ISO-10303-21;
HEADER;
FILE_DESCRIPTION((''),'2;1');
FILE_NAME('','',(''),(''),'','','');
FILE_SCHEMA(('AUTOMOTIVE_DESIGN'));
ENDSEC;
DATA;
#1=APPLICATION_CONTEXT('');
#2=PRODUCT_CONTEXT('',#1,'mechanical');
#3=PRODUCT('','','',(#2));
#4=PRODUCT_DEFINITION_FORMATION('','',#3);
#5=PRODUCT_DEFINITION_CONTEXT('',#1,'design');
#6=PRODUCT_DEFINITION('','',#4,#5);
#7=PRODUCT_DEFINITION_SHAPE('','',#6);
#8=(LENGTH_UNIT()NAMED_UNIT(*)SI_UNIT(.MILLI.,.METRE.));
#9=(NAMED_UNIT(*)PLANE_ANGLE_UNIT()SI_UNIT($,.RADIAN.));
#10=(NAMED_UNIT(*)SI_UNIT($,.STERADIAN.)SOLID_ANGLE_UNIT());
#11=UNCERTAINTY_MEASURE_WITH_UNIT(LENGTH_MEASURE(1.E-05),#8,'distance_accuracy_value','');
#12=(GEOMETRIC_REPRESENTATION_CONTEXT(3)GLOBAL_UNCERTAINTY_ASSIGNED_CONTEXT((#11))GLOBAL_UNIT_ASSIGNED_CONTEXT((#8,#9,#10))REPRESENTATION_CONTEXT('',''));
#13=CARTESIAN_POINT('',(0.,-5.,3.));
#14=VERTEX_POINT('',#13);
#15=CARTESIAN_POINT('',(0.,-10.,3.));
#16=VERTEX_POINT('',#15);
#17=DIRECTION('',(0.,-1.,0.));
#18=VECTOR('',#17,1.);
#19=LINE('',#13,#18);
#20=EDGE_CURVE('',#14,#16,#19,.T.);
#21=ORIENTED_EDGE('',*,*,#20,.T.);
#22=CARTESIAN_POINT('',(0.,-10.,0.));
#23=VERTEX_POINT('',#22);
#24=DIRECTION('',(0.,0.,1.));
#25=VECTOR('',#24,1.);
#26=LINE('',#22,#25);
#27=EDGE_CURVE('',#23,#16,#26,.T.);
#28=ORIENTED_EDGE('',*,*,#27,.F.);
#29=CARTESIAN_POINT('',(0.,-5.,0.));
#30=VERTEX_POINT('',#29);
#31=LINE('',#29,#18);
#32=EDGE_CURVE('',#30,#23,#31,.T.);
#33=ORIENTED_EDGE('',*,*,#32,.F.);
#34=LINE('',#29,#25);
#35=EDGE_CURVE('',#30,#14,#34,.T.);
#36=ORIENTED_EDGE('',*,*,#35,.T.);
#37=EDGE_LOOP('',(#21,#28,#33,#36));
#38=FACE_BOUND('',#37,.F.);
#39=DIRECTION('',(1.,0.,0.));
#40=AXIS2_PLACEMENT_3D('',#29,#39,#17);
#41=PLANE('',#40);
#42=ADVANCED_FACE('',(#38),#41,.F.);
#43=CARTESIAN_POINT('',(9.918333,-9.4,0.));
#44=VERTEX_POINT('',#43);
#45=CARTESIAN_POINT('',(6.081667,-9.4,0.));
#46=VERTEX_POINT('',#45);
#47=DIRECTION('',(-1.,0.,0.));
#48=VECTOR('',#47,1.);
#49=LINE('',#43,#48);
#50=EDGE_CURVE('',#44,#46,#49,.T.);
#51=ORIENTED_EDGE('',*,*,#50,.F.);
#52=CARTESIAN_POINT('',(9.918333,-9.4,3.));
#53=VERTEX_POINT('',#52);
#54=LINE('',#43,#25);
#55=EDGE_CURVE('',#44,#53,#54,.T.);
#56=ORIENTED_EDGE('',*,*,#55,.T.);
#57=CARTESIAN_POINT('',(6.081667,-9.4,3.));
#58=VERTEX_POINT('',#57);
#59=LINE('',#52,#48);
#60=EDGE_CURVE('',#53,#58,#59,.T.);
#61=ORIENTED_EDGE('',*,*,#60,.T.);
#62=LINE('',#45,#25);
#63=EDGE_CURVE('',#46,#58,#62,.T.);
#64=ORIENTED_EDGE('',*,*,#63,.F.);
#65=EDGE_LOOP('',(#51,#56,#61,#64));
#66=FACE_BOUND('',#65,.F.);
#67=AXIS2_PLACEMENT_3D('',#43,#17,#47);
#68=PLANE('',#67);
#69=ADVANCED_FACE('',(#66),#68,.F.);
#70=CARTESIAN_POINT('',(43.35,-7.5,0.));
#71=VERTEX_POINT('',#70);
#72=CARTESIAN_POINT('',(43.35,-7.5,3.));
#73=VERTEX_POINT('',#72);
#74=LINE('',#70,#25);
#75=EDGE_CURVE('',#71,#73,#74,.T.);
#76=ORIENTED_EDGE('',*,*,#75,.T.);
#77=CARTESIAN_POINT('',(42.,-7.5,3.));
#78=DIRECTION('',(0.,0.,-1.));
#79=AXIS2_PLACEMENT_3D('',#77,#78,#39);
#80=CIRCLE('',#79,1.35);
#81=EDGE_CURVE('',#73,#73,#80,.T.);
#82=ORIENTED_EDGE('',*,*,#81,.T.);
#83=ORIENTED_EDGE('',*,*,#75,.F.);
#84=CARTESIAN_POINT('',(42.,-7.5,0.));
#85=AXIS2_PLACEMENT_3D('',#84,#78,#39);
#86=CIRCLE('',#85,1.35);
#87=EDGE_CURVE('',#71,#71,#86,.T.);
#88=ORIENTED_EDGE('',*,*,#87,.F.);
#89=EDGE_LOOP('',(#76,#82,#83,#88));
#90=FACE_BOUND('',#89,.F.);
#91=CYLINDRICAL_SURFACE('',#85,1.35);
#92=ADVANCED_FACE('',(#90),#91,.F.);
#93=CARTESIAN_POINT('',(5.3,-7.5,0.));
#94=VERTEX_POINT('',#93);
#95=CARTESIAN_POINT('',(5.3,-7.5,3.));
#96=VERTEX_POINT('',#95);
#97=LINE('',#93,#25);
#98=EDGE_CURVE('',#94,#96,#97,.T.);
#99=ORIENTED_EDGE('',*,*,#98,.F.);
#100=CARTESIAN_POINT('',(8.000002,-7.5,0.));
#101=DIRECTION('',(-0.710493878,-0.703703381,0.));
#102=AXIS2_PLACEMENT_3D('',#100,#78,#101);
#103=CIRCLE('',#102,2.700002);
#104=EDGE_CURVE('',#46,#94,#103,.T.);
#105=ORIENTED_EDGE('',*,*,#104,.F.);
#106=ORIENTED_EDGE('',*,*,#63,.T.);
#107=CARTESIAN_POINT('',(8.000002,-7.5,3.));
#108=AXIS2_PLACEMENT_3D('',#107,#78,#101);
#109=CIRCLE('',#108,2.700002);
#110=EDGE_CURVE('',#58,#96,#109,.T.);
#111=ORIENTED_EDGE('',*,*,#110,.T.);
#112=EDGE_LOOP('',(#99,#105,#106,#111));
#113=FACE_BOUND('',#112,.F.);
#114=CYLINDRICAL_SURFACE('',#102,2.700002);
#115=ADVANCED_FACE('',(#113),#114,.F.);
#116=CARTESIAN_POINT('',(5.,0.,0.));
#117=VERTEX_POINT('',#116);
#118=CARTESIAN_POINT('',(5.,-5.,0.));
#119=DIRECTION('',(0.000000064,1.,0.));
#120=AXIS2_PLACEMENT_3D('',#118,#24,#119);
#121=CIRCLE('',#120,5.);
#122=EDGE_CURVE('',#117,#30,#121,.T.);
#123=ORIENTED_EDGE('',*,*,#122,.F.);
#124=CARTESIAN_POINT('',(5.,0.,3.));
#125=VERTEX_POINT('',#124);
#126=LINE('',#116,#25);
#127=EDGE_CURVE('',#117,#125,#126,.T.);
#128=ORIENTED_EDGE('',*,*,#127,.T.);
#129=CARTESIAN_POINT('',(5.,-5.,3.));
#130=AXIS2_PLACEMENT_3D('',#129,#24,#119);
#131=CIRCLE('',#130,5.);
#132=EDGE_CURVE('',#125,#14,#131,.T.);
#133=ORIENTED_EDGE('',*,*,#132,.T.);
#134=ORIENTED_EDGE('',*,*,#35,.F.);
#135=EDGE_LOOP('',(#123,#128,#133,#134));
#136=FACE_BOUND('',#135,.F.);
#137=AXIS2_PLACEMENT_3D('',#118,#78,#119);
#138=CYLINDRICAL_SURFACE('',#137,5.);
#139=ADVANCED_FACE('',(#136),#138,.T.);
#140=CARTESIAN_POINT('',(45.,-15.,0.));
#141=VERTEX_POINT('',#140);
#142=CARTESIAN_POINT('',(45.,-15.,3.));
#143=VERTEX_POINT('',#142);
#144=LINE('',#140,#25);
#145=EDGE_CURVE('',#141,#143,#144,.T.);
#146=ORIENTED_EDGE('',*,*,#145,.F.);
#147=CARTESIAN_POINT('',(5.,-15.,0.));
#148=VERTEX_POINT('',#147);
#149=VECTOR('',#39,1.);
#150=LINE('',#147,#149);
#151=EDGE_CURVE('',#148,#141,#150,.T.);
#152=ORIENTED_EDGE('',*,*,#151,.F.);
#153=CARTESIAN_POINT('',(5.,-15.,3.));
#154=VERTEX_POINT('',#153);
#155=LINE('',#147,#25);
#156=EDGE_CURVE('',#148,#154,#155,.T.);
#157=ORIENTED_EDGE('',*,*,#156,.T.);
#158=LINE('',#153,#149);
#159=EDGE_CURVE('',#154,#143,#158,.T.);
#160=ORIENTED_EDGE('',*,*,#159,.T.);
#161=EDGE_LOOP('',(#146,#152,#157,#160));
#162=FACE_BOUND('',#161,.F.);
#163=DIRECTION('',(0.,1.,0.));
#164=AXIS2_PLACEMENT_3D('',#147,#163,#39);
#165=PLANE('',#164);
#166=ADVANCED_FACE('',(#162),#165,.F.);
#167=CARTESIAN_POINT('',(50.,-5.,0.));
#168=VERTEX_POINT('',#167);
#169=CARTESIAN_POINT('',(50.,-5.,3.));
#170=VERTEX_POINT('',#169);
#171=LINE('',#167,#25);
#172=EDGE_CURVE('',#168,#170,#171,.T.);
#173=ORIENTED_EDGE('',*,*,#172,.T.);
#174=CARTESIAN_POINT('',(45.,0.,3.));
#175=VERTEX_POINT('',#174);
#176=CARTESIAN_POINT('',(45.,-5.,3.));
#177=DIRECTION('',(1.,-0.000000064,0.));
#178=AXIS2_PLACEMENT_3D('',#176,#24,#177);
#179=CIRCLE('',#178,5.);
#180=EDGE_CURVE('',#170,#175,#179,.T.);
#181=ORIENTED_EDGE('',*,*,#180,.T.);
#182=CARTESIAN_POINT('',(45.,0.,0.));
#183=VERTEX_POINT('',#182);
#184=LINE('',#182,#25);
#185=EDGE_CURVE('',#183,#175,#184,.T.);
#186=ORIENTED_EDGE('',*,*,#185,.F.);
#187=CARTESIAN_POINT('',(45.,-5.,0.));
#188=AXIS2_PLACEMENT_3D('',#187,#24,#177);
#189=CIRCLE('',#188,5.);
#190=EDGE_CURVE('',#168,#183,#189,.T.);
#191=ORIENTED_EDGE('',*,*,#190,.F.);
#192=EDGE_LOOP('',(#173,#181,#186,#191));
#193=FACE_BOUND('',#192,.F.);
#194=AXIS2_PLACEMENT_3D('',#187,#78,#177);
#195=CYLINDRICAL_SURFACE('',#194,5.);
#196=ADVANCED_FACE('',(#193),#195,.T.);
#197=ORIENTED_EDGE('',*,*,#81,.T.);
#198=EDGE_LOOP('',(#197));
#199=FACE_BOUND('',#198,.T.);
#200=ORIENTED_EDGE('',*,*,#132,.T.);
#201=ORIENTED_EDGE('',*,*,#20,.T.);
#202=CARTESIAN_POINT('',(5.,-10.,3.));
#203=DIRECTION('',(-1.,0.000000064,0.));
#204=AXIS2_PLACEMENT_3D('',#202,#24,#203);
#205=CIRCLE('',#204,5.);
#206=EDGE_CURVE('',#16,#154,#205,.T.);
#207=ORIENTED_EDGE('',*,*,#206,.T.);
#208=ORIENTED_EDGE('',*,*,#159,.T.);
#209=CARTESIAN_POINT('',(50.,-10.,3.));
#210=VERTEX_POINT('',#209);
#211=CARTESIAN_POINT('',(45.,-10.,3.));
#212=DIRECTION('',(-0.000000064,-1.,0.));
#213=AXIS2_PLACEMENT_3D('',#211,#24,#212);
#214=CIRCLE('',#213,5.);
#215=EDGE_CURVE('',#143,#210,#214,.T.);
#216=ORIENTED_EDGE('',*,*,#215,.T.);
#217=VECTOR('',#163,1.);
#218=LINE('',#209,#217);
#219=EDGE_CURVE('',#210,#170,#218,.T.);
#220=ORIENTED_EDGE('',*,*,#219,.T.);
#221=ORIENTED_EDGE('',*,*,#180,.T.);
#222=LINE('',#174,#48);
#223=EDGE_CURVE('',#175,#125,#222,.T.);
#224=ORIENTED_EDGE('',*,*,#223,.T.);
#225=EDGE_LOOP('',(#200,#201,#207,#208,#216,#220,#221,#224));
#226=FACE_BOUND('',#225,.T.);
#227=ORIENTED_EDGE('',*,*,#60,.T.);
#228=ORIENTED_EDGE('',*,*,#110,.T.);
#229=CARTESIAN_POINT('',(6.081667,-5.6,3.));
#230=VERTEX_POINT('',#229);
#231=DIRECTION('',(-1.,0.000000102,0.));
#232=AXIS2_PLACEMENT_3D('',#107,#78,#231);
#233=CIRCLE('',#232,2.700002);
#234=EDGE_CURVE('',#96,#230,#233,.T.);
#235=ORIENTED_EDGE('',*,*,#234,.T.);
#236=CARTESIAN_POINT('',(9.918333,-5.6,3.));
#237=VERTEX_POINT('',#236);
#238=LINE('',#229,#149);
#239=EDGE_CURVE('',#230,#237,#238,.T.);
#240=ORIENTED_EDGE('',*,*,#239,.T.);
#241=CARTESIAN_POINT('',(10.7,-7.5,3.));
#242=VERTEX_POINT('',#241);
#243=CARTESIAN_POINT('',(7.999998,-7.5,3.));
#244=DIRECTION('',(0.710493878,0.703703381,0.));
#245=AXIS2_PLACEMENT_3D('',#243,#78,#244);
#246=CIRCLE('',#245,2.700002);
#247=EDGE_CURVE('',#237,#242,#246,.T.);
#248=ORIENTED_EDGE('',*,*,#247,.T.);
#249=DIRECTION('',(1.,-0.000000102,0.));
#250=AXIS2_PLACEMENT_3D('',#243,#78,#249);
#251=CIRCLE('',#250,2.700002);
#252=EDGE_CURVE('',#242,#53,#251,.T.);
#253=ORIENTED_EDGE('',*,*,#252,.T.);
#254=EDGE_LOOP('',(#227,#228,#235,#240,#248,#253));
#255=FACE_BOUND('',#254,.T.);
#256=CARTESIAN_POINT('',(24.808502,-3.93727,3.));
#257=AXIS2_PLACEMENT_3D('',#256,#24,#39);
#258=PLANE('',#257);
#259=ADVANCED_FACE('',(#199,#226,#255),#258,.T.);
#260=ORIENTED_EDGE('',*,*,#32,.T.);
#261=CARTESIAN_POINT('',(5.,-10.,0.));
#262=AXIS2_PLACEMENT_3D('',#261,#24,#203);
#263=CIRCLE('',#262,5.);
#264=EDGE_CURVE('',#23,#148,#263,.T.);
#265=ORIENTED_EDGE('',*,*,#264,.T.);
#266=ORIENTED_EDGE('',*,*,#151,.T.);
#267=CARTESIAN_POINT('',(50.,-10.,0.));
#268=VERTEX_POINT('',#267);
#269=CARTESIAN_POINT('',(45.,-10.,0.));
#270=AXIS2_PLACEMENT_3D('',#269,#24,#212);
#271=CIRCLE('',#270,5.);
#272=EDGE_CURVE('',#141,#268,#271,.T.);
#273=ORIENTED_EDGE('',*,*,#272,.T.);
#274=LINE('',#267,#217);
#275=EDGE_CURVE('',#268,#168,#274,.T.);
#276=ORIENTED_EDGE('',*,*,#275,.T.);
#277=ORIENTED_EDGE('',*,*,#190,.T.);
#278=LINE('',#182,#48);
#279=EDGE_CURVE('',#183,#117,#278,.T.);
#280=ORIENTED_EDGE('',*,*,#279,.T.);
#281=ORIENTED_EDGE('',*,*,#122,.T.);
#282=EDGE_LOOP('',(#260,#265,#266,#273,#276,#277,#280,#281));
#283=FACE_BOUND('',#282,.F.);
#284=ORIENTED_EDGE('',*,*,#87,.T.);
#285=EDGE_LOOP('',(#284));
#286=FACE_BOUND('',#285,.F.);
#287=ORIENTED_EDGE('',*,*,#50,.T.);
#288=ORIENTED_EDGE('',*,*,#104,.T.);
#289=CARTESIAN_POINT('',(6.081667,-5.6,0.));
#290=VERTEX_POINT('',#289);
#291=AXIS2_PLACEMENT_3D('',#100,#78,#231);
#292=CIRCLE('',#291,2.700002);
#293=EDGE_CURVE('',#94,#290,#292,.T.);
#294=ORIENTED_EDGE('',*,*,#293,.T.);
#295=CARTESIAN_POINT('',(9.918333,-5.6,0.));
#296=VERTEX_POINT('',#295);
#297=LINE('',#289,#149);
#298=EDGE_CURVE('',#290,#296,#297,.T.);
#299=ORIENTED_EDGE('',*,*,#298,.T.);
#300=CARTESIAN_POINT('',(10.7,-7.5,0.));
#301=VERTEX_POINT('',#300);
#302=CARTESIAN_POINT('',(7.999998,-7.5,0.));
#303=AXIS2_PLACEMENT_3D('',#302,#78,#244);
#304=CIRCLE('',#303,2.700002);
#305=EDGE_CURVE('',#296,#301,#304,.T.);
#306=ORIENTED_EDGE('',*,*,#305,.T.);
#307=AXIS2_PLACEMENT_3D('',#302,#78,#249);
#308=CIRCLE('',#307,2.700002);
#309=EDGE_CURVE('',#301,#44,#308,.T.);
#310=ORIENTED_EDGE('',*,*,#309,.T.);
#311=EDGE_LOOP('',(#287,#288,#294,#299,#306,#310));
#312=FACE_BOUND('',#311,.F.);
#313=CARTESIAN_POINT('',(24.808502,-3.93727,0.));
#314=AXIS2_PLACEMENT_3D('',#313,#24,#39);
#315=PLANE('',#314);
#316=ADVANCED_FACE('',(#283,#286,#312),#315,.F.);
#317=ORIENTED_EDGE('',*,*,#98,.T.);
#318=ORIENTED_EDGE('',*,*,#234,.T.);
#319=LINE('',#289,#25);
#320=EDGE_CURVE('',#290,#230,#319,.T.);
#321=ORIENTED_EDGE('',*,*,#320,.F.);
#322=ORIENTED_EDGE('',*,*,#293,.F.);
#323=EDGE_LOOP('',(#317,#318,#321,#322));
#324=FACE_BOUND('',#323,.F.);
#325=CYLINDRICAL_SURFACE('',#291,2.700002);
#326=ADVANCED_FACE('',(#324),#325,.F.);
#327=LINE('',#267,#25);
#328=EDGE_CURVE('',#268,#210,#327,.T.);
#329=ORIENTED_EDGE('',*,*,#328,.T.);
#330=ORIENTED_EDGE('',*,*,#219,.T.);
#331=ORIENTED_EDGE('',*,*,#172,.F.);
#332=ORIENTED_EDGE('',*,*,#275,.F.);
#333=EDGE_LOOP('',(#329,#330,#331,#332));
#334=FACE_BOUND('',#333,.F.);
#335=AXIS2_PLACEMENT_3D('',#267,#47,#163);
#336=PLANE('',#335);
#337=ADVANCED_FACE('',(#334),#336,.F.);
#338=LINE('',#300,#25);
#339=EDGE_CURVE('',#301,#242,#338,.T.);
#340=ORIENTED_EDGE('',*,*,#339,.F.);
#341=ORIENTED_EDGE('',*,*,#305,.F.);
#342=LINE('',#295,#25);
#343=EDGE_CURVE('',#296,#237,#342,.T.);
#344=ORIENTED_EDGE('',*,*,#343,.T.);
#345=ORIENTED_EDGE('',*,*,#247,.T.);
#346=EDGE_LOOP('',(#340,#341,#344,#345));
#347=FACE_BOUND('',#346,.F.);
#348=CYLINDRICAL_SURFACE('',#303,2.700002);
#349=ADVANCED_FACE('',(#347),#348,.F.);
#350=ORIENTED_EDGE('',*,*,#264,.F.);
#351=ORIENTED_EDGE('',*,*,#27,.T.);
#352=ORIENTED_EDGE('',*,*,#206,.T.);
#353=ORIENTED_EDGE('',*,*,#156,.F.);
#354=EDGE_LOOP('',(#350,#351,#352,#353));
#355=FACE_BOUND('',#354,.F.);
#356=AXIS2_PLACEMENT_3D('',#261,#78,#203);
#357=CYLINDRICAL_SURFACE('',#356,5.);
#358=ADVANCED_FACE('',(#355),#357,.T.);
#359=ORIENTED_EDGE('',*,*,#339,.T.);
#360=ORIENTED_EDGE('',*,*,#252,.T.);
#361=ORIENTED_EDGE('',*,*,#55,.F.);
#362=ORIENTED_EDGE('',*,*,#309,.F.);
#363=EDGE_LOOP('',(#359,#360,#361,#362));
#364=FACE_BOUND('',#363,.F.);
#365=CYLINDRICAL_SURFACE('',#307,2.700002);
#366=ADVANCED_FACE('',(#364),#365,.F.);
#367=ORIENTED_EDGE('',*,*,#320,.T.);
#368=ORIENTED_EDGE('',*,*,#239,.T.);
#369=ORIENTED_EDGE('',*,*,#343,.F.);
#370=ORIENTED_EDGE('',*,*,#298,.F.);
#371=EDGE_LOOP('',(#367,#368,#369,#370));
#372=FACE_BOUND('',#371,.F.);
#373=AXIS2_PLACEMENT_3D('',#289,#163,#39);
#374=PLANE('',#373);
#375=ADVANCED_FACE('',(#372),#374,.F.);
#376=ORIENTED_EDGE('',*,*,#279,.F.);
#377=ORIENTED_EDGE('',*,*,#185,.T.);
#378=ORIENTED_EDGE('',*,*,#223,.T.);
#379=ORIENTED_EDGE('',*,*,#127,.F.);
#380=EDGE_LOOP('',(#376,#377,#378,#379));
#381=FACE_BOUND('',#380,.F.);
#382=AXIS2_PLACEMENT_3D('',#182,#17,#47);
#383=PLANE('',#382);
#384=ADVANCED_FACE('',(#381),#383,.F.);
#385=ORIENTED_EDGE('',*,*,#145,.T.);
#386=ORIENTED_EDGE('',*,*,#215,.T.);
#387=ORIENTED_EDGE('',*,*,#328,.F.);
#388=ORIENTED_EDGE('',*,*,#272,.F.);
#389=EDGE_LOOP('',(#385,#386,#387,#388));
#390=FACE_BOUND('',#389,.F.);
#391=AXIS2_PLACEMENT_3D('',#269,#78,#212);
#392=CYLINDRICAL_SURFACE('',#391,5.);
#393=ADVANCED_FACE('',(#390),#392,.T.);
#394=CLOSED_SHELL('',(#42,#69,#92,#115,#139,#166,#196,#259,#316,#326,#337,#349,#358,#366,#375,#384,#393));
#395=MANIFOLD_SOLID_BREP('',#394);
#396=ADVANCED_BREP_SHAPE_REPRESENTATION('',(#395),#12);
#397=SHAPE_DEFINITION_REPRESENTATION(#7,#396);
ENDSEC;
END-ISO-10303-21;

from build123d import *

# Parameters (mm, degrees)
F1_DEPTH = 3


with BuildPart() as f1:
    # F0 (on Top) → F1 (new body)
    with BuildSketch(Plane.XY):
        with BuildLine():
            Line((45, 0), (5, 0))
            ThreePointArc((5, 0), (1.464466, -1.464466), (0, -5))
            Line((0, -5), (0, -7.5))
            Line((0, -7.5), (5.3, -7.5))
            ThreePointArc((5.3, -7.5), (5.503052, -6.472746), (6.081667, -5.6))
            Line((6.081667, -5.6), (9.918333, -5.6))
            ThreePointArc((9.918333, -5.6), (10.496948, -6.472746), (10.7, -7.5))
            Line((10.7, -7.5), (40.65, -7.5))
            ThreePointArc((40.65, -7.5), (42, -6.15), (43.35, -7.5))
            Line((43.35, -7.5), (50, -7.5))
            Line((50, -7.5), (50, -5))
            ThreePointArc((50, -5), (48.535534, -1.464466), (45, 0))
        make_face()
        with BuildLine():
            Line((5.3, -7.5), (0, -7.5))
            Line((0, -7.5), (0, -10))
            ThreePointArc((0, -10), (1.464466, -13.535534), (5, -15))
            Line((5, -15), (45, -15))
            ThreePointArc((45, -15), (48.535534, -13.535534), (50, -10))
            Line((50, -10), (50, -7.5))
            Line((50, -7.5), (43.35, -7.5))
            ThreePointArc((43.35, -7.5), (42, -8.85), (40.65, -7.5))
            Line((40.65, -7.5), (10.7, -7.5))
            ThreePointArc((10.7, -7.5), (10.496948, -8.527254), (9.918333, -9.4))
            Line((9.918333, -9.4), (6.081667, -9.4))
            ThreePointArc((6.081667, -9.4), (5.503052, -8.527254), (5.3, -7.5))
        make_face()
    extrude(amount=F1_DEPTH)


solid = f1.part
